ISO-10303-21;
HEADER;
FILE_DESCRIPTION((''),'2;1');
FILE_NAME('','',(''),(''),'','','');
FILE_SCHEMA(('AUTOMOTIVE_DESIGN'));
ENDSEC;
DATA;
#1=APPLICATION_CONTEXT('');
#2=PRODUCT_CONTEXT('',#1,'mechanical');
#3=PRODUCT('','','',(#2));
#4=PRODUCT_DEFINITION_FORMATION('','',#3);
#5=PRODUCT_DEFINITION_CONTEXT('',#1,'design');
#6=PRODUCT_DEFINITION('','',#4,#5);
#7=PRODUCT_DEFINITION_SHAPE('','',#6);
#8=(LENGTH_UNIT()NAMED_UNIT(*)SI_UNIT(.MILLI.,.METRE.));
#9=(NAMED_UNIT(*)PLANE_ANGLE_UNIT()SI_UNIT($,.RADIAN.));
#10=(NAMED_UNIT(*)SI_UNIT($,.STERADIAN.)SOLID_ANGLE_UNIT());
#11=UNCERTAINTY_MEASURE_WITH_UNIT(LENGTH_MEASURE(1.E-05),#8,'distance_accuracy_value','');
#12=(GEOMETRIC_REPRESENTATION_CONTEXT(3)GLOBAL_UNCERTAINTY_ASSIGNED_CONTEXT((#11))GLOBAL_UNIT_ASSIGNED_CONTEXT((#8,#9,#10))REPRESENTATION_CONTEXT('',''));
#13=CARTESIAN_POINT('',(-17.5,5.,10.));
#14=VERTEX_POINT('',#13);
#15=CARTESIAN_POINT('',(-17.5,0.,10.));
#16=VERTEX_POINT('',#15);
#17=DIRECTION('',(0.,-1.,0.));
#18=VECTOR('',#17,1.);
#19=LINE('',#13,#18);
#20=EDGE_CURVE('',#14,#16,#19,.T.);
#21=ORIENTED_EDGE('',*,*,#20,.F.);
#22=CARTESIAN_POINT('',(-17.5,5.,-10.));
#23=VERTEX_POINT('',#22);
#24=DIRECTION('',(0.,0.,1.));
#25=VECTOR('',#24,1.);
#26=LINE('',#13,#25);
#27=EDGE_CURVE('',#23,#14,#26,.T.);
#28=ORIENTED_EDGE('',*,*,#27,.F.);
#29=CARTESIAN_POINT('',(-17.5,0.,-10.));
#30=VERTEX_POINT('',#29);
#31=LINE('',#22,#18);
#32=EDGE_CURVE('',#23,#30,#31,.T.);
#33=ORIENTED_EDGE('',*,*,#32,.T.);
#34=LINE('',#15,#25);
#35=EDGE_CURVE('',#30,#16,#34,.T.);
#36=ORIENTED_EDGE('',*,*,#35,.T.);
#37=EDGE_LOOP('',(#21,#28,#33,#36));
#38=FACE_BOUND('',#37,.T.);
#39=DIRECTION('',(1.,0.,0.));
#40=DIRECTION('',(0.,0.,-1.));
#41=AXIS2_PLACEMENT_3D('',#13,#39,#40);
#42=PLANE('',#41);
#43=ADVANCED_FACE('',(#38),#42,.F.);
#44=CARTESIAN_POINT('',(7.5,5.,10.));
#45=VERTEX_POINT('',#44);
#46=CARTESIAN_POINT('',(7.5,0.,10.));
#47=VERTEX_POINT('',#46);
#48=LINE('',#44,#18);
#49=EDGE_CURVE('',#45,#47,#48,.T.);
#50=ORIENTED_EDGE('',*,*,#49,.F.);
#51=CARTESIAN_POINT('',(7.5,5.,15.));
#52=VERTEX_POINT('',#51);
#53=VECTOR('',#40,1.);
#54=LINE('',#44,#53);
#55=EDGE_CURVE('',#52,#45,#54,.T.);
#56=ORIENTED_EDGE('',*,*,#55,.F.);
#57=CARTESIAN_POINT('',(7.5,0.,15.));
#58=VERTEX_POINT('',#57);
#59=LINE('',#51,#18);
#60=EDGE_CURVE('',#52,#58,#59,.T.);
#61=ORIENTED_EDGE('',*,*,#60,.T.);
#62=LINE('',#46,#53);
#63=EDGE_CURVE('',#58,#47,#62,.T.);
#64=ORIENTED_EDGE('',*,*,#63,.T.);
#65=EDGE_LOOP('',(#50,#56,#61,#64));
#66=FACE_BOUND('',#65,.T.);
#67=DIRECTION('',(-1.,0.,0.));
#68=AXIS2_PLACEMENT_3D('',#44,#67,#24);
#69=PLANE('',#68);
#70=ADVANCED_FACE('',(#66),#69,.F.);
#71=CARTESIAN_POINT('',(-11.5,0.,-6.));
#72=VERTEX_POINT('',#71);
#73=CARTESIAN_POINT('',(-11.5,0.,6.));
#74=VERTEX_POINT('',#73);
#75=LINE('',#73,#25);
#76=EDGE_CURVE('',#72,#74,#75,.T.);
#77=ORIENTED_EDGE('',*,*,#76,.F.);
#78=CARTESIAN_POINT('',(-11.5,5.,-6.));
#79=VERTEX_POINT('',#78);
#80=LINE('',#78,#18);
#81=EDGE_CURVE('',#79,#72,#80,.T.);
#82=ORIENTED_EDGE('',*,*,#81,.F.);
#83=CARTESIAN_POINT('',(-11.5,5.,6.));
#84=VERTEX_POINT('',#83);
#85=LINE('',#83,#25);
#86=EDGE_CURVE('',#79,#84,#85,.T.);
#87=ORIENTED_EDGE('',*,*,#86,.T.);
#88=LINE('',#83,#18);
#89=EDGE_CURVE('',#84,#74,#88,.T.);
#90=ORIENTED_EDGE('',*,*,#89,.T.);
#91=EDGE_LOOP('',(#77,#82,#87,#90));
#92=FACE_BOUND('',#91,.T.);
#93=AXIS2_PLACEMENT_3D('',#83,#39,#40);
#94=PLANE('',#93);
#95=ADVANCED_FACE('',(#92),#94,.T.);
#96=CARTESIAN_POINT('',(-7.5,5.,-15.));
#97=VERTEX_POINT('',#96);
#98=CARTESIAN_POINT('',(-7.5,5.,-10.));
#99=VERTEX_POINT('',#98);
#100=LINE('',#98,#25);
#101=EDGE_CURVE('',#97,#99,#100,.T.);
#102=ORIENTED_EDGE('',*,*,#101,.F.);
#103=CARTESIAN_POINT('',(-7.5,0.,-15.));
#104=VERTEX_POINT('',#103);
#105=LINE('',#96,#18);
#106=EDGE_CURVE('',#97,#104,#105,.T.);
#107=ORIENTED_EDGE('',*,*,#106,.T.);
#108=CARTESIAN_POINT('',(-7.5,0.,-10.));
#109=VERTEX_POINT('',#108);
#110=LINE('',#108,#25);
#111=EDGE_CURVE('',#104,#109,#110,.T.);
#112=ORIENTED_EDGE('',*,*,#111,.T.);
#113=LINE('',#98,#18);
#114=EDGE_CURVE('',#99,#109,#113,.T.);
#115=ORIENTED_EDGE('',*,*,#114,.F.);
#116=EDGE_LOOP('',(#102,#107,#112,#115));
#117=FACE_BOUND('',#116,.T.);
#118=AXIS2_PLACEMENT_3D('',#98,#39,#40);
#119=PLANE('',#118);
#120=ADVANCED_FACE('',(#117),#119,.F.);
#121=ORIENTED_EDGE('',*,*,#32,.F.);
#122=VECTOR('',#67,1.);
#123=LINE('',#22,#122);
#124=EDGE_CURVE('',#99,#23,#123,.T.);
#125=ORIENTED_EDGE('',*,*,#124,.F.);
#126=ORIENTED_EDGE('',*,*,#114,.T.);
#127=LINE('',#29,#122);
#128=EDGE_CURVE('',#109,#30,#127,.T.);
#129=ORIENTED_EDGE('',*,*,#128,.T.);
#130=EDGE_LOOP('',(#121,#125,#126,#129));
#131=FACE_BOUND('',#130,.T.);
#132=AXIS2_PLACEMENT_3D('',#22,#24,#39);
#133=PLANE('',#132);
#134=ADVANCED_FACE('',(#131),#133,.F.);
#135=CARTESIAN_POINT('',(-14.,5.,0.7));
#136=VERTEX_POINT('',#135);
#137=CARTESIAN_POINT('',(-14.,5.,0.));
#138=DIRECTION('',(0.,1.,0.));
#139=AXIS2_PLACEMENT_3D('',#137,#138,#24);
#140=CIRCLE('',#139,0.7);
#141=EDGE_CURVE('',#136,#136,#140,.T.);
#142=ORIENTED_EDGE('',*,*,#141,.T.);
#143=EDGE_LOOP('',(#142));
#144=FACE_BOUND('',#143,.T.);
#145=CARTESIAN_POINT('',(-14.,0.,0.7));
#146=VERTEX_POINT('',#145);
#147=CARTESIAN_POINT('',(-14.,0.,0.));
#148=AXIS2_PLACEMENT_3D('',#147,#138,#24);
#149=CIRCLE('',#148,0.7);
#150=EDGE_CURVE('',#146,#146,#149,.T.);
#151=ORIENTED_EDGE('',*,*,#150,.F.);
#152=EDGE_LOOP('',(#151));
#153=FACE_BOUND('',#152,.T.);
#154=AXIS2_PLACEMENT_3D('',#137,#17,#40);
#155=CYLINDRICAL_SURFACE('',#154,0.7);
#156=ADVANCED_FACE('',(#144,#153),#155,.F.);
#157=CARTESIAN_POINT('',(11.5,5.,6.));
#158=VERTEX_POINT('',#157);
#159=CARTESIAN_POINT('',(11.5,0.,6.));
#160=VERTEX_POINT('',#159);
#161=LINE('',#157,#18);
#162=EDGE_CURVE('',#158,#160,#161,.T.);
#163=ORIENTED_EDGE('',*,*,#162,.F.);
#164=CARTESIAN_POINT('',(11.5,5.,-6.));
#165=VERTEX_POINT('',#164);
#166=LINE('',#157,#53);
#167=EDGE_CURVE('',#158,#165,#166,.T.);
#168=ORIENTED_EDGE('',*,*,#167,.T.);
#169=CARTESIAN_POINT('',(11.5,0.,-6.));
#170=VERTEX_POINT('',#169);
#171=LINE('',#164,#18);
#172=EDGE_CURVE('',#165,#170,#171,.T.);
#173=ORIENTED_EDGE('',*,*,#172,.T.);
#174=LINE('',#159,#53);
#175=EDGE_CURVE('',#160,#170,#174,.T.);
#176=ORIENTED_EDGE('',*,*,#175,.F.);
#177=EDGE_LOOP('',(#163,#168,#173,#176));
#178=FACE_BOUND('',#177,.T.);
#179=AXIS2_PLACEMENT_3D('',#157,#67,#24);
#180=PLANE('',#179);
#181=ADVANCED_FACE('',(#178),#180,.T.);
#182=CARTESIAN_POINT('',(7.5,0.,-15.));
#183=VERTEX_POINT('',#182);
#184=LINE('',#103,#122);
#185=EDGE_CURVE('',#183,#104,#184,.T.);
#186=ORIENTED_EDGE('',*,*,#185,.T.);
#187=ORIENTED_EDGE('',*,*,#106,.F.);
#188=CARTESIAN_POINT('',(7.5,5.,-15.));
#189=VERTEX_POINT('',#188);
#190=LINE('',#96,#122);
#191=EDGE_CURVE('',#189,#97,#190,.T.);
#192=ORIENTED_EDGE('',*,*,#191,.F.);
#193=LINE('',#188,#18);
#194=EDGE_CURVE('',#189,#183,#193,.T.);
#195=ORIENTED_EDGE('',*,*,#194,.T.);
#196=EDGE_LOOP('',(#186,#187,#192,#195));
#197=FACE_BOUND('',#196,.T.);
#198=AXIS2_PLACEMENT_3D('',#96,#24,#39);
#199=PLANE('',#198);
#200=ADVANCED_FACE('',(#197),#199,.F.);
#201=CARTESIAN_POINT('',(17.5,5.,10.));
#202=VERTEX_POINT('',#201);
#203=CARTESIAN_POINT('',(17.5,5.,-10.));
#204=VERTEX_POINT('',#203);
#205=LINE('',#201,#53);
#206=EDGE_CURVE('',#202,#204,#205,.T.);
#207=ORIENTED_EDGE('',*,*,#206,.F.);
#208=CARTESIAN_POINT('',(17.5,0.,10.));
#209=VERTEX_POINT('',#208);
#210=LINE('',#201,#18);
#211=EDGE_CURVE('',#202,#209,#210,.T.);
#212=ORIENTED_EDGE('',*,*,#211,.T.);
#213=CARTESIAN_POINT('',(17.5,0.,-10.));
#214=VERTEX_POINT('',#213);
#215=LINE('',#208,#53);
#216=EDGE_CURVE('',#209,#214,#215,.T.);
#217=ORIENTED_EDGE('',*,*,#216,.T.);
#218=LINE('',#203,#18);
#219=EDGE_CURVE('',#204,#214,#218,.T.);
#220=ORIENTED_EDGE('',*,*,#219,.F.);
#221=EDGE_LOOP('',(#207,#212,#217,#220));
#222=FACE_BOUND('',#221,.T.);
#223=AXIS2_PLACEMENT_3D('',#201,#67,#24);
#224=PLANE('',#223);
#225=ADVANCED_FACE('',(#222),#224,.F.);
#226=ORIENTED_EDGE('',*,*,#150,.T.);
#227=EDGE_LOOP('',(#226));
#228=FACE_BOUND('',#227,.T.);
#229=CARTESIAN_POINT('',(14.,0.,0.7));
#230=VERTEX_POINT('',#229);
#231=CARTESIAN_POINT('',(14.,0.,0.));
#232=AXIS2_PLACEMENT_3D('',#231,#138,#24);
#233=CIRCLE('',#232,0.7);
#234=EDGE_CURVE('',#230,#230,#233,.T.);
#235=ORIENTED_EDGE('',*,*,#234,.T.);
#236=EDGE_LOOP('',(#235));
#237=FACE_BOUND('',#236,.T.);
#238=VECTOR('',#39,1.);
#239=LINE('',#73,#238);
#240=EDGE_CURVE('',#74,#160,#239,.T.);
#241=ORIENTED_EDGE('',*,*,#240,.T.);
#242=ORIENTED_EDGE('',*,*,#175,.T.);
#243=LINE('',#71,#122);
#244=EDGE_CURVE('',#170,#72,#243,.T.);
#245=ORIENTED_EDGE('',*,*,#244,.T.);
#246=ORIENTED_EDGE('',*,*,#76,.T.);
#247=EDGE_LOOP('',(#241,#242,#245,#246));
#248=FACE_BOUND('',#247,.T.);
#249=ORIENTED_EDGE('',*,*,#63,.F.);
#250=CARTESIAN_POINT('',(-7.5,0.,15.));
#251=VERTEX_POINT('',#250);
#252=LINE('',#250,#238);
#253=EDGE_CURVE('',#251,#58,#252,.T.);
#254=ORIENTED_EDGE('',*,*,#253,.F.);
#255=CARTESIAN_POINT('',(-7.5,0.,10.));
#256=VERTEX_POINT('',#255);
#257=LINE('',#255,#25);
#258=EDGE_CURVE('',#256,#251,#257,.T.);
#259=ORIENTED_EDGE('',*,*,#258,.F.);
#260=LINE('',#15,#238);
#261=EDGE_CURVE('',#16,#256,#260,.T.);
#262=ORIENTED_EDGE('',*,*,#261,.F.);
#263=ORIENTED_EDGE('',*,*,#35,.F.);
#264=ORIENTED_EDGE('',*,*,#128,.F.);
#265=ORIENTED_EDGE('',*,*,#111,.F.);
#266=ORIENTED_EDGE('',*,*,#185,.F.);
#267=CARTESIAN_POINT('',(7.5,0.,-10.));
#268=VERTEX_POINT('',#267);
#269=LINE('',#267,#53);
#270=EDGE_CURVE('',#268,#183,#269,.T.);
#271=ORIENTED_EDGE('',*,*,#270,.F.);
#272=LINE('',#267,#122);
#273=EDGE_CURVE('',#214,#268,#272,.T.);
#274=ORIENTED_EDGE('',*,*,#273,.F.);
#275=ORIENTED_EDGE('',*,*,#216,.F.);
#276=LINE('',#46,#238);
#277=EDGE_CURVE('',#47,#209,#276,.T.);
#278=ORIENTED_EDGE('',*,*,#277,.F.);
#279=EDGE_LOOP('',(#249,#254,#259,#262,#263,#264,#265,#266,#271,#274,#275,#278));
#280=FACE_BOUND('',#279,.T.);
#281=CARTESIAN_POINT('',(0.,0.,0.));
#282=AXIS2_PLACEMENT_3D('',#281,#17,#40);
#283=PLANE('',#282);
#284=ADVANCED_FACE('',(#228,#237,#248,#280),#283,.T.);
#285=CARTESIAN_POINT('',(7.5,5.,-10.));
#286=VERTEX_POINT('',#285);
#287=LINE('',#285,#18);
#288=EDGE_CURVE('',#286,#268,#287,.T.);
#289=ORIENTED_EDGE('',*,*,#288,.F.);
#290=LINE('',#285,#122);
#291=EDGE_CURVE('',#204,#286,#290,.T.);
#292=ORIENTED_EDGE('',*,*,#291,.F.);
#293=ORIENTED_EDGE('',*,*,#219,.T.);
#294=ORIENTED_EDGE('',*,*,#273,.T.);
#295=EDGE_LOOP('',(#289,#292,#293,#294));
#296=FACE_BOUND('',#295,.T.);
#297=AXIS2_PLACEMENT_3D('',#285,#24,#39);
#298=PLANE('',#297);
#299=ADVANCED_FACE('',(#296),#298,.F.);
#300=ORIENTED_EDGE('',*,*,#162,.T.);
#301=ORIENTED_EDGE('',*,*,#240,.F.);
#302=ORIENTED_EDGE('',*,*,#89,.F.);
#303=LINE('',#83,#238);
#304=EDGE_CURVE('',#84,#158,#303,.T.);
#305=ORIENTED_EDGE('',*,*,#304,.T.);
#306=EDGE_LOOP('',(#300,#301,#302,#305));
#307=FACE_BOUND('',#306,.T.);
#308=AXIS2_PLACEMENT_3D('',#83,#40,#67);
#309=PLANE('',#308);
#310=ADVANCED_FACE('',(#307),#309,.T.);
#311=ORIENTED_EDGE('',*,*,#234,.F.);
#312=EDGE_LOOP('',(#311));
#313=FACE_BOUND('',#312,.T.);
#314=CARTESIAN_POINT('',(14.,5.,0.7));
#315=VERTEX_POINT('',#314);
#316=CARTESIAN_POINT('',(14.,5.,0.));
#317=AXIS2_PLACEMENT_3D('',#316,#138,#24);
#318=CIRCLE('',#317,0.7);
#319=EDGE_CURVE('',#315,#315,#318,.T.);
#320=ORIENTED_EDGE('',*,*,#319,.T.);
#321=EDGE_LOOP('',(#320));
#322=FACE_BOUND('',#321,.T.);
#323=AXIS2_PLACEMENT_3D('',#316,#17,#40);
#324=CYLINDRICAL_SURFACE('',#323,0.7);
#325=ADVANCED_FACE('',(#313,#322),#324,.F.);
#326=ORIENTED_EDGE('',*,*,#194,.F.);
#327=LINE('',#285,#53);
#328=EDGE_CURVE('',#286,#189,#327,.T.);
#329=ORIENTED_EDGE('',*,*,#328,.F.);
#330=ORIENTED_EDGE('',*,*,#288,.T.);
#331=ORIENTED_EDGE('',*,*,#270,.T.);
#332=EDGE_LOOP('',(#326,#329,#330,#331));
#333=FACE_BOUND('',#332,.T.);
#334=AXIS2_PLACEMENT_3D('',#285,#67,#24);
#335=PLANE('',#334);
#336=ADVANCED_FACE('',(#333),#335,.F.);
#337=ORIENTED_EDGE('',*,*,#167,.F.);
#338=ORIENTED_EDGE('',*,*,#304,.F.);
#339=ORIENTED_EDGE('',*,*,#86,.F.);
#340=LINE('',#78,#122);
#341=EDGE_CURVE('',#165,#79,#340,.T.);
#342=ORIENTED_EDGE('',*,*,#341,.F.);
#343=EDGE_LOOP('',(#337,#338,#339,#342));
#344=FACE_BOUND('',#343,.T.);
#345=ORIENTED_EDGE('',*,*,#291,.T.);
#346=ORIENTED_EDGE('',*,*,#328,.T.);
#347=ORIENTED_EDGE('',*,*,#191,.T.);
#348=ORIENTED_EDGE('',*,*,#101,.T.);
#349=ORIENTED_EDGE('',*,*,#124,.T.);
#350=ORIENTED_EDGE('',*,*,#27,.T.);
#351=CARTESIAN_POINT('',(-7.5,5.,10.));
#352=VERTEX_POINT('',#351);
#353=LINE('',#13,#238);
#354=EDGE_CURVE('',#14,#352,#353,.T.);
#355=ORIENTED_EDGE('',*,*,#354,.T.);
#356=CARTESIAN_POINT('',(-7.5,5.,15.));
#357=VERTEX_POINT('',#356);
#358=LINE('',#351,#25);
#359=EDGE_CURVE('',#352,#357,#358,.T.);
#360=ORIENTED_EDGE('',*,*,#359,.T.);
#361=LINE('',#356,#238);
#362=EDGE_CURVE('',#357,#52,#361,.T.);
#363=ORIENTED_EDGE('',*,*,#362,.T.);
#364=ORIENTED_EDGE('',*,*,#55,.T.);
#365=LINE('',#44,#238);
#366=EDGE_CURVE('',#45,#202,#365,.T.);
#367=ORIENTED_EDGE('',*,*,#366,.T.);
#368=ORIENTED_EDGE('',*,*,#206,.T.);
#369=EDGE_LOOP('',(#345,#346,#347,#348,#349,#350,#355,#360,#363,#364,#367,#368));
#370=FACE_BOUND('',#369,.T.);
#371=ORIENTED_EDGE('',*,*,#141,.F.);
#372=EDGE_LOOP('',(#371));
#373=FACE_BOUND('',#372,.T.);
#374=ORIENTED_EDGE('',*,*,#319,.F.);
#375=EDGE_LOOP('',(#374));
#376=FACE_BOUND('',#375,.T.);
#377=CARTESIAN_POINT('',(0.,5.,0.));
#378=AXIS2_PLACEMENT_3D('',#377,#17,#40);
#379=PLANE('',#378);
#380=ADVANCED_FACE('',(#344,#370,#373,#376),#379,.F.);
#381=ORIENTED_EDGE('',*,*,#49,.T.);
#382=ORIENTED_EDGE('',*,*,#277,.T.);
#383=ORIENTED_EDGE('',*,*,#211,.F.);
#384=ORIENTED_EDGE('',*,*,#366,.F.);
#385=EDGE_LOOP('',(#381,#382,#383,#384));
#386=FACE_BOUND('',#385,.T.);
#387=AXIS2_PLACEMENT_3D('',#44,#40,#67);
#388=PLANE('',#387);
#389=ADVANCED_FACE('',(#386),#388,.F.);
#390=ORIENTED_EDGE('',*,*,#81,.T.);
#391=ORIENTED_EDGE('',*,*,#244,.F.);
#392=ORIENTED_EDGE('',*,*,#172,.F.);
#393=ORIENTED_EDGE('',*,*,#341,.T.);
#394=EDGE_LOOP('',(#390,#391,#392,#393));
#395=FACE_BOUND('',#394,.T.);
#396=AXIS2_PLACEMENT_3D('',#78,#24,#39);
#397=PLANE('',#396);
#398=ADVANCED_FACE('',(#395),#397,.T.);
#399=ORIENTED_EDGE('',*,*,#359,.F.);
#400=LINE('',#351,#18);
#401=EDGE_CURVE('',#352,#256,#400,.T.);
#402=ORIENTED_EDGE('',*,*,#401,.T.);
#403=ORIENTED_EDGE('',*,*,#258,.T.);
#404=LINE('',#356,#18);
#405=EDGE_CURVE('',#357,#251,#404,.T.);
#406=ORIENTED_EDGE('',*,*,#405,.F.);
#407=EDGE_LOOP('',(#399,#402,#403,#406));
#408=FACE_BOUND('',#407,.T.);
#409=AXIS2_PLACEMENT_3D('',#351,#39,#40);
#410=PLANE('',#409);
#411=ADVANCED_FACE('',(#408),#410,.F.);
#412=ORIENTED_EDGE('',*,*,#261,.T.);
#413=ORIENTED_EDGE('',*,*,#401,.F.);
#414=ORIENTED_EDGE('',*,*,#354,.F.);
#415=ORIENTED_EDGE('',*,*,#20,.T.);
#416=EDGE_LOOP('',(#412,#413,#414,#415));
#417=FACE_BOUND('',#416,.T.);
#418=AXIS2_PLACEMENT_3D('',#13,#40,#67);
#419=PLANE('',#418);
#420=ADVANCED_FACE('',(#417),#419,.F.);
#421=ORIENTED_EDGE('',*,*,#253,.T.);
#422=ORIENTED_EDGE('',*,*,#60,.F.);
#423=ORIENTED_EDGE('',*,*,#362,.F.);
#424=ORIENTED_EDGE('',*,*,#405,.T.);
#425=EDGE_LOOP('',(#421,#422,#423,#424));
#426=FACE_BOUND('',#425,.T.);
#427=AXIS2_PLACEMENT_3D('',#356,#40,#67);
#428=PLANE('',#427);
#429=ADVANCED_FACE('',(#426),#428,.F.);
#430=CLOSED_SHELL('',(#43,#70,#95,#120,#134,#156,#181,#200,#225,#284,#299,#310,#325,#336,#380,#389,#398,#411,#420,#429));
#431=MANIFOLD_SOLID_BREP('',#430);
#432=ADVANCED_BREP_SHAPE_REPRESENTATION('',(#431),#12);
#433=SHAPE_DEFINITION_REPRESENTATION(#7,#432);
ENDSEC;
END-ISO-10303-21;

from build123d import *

# Parameters (mm, degrees)
SKETCH1_R           = 0.7
SKETCH1_W           = 23
SKETCH1_H           = 12
BOSS_EXTRUDE1_DEPTH = 5


with BuildPart() as part:
    # Sketch1 → Boss-Extrude1 (new body)
    with BuildSketch(Plane(origin=(0, 0, 0), x_dir=(1, 0, 0), z_dir=(0, 1, 0))):
        Polygon((7.5, 10), (17.5, 10), (17.5, -10), (7.5, -10), (7.5, -15), (-7.5, -15), (-7.5, -10), (-17.5, -10), (-17.5, 10), (-7.5, 10), (-7.5, 15), (7.5, 15), align=None)
        with Locations(Location((-14, 0, 0), (0, 0, 270))):
            Circle(SKETCH1_R, mode=Mode.SUBTRACT)
        with Locations(Location((14, 0, 0), (0, 0, 270))):
            Circle(SKETCH1_R, mode=Mode.SUBTRACT)
        Rectangle(SKETCH1_W, SKETCH1_H, mode=Mode.SUBTRACT)
    extrude(amount=BOSS_EXTRUDE1_DEPTH)


solid = part.part
